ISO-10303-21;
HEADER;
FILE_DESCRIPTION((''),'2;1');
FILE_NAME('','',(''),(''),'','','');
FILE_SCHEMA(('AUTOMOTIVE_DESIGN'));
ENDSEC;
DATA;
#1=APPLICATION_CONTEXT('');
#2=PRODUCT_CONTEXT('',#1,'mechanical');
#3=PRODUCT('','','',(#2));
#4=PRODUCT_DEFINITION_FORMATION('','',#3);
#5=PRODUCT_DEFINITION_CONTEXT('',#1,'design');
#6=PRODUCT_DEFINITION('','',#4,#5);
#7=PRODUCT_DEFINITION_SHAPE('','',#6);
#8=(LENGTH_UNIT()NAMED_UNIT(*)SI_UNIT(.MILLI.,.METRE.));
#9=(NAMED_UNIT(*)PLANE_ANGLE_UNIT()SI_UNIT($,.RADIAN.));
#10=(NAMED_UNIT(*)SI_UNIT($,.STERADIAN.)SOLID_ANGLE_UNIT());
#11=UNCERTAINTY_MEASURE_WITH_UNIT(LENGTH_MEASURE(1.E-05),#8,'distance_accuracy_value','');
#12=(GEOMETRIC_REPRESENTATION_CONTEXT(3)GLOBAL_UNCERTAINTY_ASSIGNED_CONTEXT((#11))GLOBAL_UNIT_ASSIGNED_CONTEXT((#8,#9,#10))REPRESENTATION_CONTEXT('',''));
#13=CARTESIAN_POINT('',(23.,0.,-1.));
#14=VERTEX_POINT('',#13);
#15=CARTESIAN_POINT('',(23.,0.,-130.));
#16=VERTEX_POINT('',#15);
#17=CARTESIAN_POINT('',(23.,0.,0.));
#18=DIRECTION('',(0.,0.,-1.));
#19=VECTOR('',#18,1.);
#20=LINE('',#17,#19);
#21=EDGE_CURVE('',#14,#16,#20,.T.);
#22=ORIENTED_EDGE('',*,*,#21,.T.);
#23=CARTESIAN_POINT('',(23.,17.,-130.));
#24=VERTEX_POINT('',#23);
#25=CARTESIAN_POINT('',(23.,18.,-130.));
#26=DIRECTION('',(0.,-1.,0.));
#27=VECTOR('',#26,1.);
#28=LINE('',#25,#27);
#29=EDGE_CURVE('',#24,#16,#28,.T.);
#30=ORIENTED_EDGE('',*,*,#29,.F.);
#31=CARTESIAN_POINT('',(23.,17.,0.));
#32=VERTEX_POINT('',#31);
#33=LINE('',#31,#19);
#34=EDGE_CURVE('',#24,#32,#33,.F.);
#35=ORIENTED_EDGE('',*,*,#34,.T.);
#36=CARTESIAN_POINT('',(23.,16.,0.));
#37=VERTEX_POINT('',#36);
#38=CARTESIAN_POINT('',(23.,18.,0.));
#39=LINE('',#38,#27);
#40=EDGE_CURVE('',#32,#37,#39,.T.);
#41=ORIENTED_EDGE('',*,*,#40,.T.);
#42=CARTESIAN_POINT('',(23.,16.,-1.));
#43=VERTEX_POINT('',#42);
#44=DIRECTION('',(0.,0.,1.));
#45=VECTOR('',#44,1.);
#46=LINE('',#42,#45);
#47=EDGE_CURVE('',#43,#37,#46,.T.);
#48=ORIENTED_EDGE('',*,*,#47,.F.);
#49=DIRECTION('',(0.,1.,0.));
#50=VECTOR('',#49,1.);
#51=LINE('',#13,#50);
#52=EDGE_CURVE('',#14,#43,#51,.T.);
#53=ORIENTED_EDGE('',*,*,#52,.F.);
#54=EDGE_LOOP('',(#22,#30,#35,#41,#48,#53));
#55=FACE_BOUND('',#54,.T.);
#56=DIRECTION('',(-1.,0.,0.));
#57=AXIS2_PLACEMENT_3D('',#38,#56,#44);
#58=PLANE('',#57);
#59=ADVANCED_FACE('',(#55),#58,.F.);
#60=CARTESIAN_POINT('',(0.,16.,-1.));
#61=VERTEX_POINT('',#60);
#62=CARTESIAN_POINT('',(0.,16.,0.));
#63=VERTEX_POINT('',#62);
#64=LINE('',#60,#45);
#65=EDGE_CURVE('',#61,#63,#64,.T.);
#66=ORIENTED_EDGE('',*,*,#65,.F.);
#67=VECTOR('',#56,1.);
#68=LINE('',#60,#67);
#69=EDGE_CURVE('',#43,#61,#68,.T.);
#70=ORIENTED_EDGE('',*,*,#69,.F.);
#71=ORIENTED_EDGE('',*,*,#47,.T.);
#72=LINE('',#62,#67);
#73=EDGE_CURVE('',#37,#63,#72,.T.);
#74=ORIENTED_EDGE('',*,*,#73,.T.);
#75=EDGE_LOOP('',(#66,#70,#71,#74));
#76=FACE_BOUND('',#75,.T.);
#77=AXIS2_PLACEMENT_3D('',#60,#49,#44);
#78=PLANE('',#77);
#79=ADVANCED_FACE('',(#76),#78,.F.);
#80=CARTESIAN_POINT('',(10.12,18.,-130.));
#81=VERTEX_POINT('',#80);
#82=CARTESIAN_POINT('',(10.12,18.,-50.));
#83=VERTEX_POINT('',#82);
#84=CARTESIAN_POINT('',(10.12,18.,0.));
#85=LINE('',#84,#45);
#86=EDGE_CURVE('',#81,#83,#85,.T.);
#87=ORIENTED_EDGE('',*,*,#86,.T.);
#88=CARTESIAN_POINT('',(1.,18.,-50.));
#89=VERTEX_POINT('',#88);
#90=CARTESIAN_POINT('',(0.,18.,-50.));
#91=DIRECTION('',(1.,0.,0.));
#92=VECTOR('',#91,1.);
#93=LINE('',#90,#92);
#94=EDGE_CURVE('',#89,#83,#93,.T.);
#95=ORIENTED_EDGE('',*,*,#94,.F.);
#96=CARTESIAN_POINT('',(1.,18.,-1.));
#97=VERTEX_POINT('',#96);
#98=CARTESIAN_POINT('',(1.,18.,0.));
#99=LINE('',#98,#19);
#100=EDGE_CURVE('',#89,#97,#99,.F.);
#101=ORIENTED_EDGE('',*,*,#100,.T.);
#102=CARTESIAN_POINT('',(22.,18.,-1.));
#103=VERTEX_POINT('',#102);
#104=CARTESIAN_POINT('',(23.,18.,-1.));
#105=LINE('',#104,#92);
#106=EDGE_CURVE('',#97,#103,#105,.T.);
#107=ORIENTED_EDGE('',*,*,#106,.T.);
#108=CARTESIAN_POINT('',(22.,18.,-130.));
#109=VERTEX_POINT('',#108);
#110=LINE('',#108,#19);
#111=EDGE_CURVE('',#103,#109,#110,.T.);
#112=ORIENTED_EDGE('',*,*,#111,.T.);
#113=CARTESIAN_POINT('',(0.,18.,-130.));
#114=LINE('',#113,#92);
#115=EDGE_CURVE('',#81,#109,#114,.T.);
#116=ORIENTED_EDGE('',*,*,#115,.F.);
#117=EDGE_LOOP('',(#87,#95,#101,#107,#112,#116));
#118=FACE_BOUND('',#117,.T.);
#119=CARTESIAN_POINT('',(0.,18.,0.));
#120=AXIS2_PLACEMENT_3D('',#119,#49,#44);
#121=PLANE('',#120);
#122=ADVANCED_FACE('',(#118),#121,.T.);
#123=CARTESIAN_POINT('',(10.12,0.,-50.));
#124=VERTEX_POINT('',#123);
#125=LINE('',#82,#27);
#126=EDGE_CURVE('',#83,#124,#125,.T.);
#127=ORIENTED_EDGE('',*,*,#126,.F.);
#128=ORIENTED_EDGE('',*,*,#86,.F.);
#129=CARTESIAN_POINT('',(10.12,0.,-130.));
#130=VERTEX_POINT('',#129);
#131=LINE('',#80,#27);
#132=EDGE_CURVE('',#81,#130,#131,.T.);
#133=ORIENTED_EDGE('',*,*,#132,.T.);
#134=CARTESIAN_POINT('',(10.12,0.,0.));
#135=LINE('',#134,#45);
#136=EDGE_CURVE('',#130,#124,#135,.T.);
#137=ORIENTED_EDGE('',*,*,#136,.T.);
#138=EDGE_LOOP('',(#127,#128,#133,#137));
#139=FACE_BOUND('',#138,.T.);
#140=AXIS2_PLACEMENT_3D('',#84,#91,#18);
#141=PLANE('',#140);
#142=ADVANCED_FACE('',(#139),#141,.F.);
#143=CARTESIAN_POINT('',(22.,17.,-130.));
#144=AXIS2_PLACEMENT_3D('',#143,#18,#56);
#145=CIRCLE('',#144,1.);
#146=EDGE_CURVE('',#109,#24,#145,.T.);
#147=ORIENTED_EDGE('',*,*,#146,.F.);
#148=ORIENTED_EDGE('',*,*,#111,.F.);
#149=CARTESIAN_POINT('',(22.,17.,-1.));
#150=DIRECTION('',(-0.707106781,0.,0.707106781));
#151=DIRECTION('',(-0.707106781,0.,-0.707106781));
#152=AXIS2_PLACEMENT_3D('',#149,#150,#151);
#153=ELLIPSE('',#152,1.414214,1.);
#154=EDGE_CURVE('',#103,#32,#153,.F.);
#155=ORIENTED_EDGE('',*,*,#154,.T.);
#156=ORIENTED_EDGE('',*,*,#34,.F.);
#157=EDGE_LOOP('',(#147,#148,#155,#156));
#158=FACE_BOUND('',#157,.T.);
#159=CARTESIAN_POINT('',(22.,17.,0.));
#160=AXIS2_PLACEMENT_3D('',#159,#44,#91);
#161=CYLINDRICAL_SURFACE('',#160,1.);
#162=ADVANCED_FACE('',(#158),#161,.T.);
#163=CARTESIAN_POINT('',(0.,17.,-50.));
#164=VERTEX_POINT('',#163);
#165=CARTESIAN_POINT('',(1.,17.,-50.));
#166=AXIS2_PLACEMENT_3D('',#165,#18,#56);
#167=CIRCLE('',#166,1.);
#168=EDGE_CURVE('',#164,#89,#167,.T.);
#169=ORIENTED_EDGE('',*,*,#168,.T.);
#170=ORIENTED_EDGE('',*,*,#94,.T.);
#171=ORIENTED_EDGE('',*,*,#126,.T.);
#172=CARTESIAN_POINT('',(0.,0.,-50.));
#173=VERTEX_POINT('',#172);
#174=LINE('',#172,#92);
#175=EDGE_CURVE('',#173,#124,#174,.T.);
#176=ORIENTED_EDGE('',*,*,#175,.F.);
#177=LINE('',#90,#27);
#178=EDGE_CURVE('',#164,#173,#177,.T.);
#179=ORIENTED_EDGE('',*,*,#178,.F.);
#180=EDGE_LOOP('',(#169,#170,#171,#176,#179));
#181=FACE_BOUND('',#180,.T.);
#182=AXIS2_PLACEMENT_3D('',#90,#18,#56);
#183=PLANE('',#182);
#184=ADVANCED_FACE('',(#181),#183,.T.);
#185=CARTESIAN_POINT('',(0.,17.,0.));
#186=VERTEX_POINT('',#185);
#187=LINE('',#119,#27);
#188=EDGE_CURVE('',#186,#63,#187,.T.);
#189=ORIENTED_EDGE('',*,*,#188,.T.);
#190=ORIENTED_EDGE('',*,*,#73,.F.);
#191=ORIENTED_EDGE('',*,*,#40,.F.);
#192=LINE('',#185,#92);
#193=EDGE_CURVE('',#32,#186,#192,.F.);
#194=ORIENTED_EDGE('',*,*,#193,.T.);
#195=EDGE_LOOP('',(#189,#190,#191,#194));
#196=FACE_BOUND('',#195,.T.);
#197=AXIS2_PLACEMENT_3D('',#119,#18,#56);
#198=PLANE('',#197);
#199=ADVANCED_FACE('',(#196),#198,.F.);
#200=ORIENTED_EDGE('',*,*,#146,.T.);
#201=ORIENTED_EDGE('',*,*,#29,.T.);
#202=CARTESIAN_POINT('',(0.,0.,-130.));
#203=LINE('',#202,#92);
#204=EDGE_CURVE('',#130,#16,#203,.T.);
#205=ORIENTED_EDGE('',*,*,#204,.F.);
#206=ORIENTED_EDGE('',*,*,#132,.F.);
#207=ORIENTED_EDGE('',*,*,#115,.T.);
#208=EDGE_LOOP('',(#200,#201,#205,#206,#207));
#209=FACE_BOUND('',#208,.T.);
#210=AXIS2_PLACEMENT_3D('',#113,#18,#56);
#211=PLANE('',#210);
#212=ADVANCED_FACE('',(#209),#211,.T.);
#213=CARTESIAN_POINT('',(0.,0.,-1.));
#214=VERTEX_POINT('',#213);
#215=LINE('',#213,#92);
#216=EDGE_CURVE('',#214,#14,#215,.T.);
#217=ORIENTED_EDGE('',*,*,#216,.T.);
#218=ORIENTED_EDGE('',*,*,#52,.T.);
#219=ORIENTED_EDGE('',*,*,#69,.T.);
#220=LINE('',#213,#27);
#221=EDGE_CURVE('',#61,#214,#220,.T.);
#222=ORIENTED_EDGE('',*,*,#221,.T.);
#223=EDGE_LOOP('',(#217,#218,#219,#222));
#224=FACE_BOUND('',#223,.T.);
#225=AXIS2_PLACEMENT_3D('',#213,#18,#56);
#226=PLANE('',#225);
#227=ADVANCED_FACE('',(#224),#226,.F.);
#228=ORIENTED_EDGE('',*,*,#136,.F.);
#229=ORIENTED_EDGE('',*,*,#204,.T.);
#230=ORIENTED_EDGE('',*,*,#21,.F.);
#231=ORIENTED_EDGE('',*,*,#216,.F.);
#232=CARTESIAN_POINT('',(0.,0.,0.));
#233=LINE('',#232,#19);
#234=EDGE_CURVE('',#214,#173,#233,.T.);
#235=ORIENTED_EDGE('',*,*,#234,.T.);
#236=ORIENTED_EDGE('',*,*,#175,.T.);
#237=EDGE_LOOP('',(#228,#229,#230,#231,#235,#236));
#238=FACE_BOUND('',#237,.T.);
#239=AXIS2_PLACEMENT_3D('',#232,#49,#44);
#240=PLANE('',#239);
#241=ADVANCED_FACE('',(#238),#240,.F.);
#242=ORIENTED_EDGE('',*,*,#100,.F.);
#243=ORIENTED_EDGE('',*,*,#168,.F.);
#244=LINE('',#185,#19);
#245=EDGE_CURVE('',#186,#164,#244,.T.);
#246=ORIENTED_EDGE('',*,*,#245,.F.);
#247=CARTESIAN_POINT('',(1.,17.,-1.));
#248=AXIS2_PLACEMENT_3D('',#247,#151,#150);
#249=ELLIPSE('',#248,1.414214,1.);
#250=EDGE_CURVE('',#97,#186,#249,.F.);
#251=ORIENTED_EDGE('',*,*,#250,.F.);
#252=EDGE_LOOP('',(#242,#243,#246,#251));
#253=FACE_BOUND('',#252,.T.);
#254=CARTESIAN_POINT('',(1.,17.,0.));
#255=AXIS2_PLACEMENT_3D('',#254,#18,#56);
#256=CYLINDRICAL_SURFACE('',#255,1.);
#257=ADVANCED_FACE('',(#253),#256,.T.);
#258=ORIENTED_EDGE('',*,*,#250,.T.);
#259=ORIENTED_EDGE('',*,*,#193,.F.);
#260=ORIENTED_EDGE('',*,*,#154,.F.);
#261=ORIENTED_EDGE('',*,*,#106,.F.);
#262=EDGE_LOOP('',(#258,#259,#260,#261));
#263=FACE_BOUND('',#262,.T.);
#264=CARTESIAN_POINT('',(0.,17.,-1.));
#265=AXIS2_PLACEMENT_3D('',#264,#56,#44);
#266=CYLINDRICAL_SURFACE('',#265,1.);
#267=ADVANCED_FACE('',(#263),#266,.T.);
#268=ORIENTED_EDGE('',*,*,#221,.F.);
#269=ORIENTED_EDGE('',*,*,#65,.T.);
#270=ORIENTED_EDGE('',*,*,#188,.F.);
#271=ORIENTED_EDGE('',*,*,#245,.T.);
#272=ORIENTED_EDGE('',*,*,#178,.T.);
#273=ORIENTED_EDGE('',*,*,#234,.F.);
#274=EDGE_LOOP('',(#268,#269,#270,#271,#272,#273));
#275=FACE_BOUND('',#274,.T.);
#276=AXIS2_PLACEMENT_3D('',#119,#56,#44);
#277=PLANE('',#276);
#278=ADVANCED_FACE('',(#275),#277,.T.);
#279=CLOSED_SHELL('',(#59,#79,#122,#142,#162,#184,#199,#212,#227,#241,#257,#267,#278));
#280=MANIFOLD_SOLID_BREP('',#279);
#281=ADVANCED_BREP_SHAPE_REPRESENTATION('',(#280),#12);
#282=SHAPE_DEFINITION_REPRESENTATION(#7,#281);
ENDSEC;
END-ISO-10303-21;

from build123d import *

# Parameters (mm, degrees)
SALIENTE_EXTRUIR1_DEPTH = 18
CROQUIS4_W              = 23
CROQUIS4_H              = 16
CORTAR_EXTRUIR1_DEPTH   = 1
REDONDEO1_R             = 1


with BuildPart() as part:
    # Croquis2 → Saliente-Extruir1 (new body)
    with BuildSketch(Plane(origin=(0, 0, 0), x_dir=(1, 0, 0), z_dir=(0, 1, 0))):
        Polygon((0, 50), (0, 0), (23, 0), (23, 50), (23, 130), (10.12, 130), (10.12, 50), align=None)
    extrude(amount=SALIENTE_EXTRUIR1_DEPTH)

    # Croquis4 → Cortar-Extruir1 (cut)
    with BuildSketch(Plane.XY):
        with Locations((11.5, 8)):
            Rectangle(CROQUIS4_W, CROQUIS4_H)
    extrude(amount=-CORTAR_EXTRUIR1_DEPTH, mode=Mode.SUBTRACT)

    # Redondeo1
    redondeo1_edges = [part.edges().sort_by_distance(p)[0] for p in [
        (0, 18, -25),
        (11.5, 18, 0),
        (23, 18, -65),
    ]]
    fillet(redondeo1_edges, radius=REDONDEO1_R)


solid = part.part
